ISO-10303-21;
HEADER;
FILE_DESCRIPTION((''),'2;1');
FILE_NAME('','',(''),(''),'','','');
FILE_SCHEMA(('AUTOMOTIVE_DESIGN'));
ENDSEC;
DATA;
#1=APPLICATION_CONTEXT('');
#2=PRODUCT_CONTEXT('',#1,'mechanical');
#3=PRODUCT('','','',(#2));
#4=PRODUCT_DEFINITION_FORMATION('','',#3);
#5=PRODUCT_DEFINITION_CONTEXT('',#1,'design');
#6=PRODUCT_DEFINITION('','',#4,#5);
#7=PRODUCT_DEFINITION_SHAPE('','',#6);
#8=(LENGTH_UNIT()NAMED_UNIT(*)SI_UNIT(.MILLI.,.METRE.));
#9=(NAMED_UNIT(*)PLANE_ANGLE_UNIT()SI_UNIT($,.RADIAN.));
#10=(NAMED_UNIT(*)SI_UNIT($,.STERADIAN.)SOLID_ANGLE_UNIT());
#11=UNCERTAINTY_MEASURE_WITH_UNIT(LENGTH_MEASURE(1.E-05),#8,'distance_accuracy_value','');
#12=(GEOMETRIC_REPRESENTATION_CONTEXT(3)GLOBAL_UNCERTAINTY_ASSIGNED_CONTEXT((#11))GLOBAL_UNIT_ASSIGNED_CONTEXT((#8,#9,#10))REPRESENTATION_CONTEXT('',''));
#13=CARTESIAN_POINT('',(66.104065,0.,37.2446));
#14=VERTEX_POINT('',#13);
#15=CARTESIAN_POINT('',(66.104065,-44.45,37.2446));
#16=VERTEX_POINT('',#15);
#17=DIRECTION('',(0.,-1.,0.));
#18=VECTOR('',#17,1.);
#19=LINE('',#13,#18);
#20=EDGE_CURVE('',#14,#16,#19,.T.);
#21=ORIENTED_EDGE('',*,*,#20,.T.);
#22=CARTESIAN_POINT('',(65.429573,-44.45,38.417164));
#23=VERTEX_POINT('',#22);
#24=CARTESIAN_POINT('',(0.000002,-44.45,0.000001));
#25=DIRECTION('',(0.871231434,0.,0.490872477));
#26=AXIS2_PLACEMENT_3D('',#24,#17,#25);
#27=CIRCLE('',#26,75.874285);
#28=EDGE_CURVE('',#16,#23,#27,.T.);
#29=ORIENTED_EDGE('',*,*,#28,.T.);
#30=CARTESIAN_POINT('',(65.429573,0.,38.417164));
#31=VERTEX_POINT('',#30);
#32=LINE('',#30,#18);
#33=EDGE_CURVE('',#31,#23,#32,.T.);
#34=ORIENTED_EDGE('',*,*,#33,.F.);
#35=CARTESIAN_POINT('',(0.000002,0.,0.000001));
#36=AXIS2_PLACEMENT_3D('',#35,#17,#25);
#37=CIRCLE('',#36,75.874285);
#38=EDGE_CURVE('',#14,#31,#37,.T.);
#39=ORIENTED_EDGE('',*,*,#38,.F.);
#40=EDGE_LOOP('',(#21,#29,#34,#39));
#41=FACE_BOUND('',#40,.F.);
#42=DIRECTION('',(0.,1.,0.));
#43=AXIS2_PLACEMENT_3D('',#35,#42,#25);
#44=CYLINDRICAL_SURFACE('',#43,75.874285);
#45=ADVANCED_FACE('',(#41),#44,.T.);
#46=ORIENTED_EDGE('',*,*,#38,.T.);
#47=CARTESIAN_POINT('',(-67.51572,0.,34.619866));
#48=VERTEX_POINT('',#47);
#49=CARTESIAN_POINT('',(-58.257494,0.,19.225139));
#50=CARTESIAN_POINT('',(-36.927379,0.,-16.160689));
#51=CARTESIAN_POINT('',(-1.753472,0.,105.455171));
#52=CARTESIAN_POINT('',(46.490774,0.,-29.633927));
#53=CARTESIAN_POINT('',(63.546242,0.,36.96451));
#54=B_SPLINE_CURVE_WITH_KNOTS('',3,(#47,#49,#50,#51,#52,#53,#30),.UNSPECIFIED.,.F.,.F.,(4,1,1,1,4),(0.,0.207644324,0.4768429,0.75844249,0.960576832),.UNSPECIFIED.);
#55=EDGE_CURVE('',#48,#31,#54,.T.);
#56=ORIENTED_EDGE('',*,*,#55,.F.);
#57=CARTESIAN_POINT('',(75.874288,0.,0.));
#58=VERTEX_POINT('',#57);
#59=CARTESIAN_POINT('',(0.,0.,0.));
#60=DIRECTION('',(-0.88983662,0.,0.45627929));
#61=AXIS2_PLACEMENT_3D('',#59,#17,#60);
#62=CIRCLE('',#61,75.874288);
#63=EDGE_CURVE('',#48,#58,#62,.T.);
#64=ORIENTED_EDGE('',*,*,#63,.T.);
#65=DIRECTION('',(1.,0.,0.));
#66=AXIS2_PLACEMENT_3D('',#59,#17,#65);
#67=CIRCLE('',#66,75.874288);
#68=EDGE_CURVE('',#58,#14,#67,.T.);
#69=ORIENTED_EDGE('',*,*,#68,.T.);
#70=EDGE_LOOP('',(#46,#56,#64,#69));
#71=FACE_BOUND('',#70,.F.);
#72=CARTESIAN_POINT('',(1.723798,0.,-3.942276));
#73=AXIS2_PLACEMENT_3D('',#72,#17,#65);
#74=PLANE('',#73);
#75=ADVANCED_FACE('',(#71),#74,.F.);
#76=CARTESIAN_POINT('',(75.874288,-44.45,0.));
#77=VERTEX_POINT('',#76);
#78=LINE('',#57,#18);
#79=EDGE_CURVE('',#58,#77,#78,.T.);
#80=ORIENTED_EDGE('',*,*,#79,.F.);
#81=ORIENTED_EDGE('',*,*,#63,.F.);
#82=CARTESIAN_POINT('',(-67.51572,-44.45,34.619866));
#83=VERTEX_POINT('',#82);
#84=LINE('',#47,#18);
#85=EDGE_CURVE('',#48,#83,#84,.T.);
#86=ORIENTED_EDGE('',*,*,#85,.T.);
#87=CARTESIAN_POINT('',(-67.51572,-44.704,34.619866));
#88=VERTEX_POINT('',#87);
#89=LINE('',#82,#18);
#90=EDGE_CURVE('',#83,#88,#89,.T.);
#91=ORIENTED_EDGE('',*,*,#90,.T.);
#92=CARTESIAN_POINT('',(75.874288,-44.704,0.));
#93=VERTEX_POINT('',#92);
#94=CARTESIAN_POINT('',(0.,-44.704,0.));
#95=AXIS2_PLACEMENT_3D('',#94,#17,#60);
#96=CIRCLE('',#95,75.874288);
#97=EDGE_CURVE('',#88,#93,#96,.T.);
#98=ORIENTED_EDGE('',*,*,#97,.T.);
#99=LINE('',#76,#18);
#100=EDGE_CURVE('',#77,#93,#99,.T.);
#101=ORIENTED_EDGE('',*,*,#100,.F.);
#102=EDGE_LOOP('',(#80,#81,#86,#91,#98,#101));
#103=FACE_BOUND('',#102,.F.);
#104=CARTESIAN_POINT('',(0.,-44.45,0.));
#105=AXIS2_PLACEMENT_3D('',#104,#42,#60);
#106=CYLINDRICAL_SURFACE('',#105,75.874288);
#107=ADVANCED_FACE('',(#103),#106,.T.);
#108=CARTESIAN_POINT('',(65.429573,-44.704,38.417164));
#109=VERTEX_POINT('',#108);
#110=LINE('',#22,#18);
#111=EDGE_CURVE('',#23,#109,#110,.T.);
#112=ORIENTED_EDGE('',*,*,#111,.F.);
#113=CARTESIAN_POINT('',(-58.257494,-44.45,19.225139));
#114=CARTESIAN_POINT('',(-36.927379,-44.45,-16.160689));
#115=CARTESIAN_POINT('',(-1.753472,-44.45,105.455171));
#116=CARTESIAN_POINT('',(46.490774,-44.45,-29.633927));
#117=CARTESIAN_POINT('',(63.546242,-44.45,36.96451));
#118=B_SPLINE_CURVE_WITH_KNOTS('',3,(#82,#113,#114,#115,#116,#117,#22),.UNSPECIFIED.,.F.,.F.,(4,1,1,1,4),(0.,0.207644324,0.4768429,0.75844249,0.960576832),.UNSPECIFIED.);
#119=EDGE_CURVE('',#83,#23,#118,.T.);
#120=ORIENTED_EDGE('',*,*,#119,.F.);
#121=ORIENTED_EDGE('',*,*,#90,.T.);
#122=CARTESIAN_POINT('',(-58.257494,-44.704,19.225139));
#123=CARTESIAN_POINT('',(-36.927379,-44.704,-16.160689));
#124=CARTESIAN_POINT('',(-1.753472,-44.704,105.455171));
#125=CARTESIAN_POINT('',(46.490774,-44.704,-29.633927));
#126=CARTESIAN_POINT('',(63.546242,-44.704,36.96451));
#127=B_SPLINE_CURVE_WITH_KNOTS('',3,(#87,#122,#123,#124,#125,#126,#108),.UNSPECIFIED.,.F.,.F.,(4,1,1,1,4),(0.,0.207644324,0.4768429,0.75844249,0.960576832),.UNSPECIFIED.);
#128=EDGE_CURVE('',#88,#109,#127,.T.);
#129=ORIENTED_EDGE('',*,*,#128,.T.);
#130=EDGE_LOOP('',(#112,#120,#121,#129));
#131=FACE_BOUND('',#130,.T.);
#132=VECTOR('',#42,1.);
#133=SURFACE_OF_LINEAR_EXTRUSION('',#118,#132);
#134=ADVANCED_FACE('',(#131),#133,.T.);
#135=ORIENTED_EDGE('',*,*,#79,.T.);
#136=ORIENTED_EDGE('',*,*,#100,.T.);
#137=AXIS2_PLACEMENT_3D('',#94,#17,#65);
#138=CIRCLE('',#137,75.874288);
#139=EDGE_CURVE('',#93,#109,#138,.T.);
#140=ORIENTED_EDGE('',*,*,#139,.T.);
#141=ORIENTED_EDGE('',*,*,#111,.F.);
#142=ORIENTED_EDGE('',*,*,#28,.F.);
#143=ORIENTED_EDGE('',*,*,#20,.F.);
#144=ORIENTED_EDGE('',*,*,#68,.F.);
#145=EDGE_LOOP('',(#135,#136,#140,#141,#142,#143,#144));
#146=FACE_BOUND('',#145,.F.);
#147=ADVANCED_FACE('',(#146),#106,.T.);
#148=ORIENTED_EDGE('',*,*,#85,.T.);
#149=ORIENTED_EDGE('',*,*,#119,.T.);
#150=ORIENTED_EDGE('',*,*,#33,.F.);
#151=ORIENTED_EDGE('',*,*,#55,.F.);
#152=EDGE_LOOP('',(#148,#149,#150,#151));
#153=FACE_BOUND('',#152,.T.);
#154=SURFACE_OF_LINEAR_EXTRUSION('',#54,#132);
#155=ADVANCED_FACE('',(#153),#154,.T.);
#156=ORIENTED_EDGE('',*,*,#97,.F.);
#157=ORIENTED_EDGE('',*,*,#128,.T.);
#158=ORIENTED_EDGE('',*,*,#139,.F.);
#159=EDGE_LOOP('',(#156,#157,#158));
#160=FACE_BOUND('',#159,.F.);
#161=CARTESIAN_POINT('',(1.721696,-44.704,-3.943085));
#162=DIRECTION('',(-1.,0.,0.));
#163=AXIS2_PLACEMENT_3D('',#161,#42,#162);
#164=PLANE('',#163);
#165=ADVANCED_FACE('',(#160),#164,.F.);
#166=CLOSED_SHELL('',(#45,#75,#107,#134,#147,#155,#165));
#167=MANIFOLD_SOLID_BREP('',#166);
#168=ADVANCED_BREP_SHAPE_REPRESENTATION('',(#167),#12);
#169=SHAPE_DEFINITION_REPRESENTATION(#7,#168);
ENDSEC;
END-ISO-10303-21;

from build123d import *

# Parameters (mm, degrees)
F1_DEPTH = 44.45
F2_DEPTH = 0.254


with BuildPart() as f1:
    # F0 (on Front) → F1 (new body)
    with BuildSketch(Plane.XZ):
        with BuildLine():
            ThreePointArc((-67.5157198061, 34.6198661619), (-17.8073074362, -73.7550496975), (75.8742878319, 0))
            ThreePointArc((75.8742878319, 0), (73.3910974679, 19.2523859939), (66.1040645574, 37.2445996487))
            ThreePointArc((66.1040645574, 37.2445996487), (65.7694320504, 37.8323850924), (65.4295731984, 38.4171641987))
            add(Edge.make_bspline(
                [(-67.5157198061, 34.6198661619), (-58.2574936168, 19.2251392084), (-36.9273791404, -16.160688508), (-1.7534722916, 105.4551710075), (46.4907735871, -29.6339272303), (63.5462416748, 36.9645098768), (65.4295731984, 38.4171641987)],
                knots=[0, 0, 0, 0, 0.2076443236, 0.4768428996, 0.7584424902, 0.9605768322, 0.9605768322, 0.9605768322, 0.9605768322], degree=3))
        make_face()
    extrude(amount=F1_DEPTH)

    # F1_face (on face) → F2 (join)
    with BuildSketch(Plane(origin=(0.2465200318, -44.45, -15.645648347), x_dir=(1, 0, 0), z_dir=(0, -1, 0))):
        with BuildLine():
            add(Edge.make_bspline(
                [(-67.7622398379, 50.2655145089), (-58.5040136486, 34.8707875554), (-37.1738991722, -0.515040161), (-1.9999923234, 121.1008193545), (46.2442535553, -13.9882788833), (63.299721643, 52.6101582238), (65.1830531666, 54.0628125457)],
                knots=[0, 0, 0, 0, 0.2076443236, 0.4768428996, 0.7584424902, 0.9605768322, 0.9605768322, 0.9605768322, 0.9605768322], degree=3))
            ThreePointArc((-67.7622398379, 50.2655145089), (-18.053827468, -58.1094013505), (75.6277678001, 15.645648347))
            ThreePointArc((75.6277678002, 15.645648347), (72.9700416998, 35.5514927705), (65.1830531666, 54.0628125457))
        make_face()
    extrude(amount=F2_DEPTH)


solid = f1.part
